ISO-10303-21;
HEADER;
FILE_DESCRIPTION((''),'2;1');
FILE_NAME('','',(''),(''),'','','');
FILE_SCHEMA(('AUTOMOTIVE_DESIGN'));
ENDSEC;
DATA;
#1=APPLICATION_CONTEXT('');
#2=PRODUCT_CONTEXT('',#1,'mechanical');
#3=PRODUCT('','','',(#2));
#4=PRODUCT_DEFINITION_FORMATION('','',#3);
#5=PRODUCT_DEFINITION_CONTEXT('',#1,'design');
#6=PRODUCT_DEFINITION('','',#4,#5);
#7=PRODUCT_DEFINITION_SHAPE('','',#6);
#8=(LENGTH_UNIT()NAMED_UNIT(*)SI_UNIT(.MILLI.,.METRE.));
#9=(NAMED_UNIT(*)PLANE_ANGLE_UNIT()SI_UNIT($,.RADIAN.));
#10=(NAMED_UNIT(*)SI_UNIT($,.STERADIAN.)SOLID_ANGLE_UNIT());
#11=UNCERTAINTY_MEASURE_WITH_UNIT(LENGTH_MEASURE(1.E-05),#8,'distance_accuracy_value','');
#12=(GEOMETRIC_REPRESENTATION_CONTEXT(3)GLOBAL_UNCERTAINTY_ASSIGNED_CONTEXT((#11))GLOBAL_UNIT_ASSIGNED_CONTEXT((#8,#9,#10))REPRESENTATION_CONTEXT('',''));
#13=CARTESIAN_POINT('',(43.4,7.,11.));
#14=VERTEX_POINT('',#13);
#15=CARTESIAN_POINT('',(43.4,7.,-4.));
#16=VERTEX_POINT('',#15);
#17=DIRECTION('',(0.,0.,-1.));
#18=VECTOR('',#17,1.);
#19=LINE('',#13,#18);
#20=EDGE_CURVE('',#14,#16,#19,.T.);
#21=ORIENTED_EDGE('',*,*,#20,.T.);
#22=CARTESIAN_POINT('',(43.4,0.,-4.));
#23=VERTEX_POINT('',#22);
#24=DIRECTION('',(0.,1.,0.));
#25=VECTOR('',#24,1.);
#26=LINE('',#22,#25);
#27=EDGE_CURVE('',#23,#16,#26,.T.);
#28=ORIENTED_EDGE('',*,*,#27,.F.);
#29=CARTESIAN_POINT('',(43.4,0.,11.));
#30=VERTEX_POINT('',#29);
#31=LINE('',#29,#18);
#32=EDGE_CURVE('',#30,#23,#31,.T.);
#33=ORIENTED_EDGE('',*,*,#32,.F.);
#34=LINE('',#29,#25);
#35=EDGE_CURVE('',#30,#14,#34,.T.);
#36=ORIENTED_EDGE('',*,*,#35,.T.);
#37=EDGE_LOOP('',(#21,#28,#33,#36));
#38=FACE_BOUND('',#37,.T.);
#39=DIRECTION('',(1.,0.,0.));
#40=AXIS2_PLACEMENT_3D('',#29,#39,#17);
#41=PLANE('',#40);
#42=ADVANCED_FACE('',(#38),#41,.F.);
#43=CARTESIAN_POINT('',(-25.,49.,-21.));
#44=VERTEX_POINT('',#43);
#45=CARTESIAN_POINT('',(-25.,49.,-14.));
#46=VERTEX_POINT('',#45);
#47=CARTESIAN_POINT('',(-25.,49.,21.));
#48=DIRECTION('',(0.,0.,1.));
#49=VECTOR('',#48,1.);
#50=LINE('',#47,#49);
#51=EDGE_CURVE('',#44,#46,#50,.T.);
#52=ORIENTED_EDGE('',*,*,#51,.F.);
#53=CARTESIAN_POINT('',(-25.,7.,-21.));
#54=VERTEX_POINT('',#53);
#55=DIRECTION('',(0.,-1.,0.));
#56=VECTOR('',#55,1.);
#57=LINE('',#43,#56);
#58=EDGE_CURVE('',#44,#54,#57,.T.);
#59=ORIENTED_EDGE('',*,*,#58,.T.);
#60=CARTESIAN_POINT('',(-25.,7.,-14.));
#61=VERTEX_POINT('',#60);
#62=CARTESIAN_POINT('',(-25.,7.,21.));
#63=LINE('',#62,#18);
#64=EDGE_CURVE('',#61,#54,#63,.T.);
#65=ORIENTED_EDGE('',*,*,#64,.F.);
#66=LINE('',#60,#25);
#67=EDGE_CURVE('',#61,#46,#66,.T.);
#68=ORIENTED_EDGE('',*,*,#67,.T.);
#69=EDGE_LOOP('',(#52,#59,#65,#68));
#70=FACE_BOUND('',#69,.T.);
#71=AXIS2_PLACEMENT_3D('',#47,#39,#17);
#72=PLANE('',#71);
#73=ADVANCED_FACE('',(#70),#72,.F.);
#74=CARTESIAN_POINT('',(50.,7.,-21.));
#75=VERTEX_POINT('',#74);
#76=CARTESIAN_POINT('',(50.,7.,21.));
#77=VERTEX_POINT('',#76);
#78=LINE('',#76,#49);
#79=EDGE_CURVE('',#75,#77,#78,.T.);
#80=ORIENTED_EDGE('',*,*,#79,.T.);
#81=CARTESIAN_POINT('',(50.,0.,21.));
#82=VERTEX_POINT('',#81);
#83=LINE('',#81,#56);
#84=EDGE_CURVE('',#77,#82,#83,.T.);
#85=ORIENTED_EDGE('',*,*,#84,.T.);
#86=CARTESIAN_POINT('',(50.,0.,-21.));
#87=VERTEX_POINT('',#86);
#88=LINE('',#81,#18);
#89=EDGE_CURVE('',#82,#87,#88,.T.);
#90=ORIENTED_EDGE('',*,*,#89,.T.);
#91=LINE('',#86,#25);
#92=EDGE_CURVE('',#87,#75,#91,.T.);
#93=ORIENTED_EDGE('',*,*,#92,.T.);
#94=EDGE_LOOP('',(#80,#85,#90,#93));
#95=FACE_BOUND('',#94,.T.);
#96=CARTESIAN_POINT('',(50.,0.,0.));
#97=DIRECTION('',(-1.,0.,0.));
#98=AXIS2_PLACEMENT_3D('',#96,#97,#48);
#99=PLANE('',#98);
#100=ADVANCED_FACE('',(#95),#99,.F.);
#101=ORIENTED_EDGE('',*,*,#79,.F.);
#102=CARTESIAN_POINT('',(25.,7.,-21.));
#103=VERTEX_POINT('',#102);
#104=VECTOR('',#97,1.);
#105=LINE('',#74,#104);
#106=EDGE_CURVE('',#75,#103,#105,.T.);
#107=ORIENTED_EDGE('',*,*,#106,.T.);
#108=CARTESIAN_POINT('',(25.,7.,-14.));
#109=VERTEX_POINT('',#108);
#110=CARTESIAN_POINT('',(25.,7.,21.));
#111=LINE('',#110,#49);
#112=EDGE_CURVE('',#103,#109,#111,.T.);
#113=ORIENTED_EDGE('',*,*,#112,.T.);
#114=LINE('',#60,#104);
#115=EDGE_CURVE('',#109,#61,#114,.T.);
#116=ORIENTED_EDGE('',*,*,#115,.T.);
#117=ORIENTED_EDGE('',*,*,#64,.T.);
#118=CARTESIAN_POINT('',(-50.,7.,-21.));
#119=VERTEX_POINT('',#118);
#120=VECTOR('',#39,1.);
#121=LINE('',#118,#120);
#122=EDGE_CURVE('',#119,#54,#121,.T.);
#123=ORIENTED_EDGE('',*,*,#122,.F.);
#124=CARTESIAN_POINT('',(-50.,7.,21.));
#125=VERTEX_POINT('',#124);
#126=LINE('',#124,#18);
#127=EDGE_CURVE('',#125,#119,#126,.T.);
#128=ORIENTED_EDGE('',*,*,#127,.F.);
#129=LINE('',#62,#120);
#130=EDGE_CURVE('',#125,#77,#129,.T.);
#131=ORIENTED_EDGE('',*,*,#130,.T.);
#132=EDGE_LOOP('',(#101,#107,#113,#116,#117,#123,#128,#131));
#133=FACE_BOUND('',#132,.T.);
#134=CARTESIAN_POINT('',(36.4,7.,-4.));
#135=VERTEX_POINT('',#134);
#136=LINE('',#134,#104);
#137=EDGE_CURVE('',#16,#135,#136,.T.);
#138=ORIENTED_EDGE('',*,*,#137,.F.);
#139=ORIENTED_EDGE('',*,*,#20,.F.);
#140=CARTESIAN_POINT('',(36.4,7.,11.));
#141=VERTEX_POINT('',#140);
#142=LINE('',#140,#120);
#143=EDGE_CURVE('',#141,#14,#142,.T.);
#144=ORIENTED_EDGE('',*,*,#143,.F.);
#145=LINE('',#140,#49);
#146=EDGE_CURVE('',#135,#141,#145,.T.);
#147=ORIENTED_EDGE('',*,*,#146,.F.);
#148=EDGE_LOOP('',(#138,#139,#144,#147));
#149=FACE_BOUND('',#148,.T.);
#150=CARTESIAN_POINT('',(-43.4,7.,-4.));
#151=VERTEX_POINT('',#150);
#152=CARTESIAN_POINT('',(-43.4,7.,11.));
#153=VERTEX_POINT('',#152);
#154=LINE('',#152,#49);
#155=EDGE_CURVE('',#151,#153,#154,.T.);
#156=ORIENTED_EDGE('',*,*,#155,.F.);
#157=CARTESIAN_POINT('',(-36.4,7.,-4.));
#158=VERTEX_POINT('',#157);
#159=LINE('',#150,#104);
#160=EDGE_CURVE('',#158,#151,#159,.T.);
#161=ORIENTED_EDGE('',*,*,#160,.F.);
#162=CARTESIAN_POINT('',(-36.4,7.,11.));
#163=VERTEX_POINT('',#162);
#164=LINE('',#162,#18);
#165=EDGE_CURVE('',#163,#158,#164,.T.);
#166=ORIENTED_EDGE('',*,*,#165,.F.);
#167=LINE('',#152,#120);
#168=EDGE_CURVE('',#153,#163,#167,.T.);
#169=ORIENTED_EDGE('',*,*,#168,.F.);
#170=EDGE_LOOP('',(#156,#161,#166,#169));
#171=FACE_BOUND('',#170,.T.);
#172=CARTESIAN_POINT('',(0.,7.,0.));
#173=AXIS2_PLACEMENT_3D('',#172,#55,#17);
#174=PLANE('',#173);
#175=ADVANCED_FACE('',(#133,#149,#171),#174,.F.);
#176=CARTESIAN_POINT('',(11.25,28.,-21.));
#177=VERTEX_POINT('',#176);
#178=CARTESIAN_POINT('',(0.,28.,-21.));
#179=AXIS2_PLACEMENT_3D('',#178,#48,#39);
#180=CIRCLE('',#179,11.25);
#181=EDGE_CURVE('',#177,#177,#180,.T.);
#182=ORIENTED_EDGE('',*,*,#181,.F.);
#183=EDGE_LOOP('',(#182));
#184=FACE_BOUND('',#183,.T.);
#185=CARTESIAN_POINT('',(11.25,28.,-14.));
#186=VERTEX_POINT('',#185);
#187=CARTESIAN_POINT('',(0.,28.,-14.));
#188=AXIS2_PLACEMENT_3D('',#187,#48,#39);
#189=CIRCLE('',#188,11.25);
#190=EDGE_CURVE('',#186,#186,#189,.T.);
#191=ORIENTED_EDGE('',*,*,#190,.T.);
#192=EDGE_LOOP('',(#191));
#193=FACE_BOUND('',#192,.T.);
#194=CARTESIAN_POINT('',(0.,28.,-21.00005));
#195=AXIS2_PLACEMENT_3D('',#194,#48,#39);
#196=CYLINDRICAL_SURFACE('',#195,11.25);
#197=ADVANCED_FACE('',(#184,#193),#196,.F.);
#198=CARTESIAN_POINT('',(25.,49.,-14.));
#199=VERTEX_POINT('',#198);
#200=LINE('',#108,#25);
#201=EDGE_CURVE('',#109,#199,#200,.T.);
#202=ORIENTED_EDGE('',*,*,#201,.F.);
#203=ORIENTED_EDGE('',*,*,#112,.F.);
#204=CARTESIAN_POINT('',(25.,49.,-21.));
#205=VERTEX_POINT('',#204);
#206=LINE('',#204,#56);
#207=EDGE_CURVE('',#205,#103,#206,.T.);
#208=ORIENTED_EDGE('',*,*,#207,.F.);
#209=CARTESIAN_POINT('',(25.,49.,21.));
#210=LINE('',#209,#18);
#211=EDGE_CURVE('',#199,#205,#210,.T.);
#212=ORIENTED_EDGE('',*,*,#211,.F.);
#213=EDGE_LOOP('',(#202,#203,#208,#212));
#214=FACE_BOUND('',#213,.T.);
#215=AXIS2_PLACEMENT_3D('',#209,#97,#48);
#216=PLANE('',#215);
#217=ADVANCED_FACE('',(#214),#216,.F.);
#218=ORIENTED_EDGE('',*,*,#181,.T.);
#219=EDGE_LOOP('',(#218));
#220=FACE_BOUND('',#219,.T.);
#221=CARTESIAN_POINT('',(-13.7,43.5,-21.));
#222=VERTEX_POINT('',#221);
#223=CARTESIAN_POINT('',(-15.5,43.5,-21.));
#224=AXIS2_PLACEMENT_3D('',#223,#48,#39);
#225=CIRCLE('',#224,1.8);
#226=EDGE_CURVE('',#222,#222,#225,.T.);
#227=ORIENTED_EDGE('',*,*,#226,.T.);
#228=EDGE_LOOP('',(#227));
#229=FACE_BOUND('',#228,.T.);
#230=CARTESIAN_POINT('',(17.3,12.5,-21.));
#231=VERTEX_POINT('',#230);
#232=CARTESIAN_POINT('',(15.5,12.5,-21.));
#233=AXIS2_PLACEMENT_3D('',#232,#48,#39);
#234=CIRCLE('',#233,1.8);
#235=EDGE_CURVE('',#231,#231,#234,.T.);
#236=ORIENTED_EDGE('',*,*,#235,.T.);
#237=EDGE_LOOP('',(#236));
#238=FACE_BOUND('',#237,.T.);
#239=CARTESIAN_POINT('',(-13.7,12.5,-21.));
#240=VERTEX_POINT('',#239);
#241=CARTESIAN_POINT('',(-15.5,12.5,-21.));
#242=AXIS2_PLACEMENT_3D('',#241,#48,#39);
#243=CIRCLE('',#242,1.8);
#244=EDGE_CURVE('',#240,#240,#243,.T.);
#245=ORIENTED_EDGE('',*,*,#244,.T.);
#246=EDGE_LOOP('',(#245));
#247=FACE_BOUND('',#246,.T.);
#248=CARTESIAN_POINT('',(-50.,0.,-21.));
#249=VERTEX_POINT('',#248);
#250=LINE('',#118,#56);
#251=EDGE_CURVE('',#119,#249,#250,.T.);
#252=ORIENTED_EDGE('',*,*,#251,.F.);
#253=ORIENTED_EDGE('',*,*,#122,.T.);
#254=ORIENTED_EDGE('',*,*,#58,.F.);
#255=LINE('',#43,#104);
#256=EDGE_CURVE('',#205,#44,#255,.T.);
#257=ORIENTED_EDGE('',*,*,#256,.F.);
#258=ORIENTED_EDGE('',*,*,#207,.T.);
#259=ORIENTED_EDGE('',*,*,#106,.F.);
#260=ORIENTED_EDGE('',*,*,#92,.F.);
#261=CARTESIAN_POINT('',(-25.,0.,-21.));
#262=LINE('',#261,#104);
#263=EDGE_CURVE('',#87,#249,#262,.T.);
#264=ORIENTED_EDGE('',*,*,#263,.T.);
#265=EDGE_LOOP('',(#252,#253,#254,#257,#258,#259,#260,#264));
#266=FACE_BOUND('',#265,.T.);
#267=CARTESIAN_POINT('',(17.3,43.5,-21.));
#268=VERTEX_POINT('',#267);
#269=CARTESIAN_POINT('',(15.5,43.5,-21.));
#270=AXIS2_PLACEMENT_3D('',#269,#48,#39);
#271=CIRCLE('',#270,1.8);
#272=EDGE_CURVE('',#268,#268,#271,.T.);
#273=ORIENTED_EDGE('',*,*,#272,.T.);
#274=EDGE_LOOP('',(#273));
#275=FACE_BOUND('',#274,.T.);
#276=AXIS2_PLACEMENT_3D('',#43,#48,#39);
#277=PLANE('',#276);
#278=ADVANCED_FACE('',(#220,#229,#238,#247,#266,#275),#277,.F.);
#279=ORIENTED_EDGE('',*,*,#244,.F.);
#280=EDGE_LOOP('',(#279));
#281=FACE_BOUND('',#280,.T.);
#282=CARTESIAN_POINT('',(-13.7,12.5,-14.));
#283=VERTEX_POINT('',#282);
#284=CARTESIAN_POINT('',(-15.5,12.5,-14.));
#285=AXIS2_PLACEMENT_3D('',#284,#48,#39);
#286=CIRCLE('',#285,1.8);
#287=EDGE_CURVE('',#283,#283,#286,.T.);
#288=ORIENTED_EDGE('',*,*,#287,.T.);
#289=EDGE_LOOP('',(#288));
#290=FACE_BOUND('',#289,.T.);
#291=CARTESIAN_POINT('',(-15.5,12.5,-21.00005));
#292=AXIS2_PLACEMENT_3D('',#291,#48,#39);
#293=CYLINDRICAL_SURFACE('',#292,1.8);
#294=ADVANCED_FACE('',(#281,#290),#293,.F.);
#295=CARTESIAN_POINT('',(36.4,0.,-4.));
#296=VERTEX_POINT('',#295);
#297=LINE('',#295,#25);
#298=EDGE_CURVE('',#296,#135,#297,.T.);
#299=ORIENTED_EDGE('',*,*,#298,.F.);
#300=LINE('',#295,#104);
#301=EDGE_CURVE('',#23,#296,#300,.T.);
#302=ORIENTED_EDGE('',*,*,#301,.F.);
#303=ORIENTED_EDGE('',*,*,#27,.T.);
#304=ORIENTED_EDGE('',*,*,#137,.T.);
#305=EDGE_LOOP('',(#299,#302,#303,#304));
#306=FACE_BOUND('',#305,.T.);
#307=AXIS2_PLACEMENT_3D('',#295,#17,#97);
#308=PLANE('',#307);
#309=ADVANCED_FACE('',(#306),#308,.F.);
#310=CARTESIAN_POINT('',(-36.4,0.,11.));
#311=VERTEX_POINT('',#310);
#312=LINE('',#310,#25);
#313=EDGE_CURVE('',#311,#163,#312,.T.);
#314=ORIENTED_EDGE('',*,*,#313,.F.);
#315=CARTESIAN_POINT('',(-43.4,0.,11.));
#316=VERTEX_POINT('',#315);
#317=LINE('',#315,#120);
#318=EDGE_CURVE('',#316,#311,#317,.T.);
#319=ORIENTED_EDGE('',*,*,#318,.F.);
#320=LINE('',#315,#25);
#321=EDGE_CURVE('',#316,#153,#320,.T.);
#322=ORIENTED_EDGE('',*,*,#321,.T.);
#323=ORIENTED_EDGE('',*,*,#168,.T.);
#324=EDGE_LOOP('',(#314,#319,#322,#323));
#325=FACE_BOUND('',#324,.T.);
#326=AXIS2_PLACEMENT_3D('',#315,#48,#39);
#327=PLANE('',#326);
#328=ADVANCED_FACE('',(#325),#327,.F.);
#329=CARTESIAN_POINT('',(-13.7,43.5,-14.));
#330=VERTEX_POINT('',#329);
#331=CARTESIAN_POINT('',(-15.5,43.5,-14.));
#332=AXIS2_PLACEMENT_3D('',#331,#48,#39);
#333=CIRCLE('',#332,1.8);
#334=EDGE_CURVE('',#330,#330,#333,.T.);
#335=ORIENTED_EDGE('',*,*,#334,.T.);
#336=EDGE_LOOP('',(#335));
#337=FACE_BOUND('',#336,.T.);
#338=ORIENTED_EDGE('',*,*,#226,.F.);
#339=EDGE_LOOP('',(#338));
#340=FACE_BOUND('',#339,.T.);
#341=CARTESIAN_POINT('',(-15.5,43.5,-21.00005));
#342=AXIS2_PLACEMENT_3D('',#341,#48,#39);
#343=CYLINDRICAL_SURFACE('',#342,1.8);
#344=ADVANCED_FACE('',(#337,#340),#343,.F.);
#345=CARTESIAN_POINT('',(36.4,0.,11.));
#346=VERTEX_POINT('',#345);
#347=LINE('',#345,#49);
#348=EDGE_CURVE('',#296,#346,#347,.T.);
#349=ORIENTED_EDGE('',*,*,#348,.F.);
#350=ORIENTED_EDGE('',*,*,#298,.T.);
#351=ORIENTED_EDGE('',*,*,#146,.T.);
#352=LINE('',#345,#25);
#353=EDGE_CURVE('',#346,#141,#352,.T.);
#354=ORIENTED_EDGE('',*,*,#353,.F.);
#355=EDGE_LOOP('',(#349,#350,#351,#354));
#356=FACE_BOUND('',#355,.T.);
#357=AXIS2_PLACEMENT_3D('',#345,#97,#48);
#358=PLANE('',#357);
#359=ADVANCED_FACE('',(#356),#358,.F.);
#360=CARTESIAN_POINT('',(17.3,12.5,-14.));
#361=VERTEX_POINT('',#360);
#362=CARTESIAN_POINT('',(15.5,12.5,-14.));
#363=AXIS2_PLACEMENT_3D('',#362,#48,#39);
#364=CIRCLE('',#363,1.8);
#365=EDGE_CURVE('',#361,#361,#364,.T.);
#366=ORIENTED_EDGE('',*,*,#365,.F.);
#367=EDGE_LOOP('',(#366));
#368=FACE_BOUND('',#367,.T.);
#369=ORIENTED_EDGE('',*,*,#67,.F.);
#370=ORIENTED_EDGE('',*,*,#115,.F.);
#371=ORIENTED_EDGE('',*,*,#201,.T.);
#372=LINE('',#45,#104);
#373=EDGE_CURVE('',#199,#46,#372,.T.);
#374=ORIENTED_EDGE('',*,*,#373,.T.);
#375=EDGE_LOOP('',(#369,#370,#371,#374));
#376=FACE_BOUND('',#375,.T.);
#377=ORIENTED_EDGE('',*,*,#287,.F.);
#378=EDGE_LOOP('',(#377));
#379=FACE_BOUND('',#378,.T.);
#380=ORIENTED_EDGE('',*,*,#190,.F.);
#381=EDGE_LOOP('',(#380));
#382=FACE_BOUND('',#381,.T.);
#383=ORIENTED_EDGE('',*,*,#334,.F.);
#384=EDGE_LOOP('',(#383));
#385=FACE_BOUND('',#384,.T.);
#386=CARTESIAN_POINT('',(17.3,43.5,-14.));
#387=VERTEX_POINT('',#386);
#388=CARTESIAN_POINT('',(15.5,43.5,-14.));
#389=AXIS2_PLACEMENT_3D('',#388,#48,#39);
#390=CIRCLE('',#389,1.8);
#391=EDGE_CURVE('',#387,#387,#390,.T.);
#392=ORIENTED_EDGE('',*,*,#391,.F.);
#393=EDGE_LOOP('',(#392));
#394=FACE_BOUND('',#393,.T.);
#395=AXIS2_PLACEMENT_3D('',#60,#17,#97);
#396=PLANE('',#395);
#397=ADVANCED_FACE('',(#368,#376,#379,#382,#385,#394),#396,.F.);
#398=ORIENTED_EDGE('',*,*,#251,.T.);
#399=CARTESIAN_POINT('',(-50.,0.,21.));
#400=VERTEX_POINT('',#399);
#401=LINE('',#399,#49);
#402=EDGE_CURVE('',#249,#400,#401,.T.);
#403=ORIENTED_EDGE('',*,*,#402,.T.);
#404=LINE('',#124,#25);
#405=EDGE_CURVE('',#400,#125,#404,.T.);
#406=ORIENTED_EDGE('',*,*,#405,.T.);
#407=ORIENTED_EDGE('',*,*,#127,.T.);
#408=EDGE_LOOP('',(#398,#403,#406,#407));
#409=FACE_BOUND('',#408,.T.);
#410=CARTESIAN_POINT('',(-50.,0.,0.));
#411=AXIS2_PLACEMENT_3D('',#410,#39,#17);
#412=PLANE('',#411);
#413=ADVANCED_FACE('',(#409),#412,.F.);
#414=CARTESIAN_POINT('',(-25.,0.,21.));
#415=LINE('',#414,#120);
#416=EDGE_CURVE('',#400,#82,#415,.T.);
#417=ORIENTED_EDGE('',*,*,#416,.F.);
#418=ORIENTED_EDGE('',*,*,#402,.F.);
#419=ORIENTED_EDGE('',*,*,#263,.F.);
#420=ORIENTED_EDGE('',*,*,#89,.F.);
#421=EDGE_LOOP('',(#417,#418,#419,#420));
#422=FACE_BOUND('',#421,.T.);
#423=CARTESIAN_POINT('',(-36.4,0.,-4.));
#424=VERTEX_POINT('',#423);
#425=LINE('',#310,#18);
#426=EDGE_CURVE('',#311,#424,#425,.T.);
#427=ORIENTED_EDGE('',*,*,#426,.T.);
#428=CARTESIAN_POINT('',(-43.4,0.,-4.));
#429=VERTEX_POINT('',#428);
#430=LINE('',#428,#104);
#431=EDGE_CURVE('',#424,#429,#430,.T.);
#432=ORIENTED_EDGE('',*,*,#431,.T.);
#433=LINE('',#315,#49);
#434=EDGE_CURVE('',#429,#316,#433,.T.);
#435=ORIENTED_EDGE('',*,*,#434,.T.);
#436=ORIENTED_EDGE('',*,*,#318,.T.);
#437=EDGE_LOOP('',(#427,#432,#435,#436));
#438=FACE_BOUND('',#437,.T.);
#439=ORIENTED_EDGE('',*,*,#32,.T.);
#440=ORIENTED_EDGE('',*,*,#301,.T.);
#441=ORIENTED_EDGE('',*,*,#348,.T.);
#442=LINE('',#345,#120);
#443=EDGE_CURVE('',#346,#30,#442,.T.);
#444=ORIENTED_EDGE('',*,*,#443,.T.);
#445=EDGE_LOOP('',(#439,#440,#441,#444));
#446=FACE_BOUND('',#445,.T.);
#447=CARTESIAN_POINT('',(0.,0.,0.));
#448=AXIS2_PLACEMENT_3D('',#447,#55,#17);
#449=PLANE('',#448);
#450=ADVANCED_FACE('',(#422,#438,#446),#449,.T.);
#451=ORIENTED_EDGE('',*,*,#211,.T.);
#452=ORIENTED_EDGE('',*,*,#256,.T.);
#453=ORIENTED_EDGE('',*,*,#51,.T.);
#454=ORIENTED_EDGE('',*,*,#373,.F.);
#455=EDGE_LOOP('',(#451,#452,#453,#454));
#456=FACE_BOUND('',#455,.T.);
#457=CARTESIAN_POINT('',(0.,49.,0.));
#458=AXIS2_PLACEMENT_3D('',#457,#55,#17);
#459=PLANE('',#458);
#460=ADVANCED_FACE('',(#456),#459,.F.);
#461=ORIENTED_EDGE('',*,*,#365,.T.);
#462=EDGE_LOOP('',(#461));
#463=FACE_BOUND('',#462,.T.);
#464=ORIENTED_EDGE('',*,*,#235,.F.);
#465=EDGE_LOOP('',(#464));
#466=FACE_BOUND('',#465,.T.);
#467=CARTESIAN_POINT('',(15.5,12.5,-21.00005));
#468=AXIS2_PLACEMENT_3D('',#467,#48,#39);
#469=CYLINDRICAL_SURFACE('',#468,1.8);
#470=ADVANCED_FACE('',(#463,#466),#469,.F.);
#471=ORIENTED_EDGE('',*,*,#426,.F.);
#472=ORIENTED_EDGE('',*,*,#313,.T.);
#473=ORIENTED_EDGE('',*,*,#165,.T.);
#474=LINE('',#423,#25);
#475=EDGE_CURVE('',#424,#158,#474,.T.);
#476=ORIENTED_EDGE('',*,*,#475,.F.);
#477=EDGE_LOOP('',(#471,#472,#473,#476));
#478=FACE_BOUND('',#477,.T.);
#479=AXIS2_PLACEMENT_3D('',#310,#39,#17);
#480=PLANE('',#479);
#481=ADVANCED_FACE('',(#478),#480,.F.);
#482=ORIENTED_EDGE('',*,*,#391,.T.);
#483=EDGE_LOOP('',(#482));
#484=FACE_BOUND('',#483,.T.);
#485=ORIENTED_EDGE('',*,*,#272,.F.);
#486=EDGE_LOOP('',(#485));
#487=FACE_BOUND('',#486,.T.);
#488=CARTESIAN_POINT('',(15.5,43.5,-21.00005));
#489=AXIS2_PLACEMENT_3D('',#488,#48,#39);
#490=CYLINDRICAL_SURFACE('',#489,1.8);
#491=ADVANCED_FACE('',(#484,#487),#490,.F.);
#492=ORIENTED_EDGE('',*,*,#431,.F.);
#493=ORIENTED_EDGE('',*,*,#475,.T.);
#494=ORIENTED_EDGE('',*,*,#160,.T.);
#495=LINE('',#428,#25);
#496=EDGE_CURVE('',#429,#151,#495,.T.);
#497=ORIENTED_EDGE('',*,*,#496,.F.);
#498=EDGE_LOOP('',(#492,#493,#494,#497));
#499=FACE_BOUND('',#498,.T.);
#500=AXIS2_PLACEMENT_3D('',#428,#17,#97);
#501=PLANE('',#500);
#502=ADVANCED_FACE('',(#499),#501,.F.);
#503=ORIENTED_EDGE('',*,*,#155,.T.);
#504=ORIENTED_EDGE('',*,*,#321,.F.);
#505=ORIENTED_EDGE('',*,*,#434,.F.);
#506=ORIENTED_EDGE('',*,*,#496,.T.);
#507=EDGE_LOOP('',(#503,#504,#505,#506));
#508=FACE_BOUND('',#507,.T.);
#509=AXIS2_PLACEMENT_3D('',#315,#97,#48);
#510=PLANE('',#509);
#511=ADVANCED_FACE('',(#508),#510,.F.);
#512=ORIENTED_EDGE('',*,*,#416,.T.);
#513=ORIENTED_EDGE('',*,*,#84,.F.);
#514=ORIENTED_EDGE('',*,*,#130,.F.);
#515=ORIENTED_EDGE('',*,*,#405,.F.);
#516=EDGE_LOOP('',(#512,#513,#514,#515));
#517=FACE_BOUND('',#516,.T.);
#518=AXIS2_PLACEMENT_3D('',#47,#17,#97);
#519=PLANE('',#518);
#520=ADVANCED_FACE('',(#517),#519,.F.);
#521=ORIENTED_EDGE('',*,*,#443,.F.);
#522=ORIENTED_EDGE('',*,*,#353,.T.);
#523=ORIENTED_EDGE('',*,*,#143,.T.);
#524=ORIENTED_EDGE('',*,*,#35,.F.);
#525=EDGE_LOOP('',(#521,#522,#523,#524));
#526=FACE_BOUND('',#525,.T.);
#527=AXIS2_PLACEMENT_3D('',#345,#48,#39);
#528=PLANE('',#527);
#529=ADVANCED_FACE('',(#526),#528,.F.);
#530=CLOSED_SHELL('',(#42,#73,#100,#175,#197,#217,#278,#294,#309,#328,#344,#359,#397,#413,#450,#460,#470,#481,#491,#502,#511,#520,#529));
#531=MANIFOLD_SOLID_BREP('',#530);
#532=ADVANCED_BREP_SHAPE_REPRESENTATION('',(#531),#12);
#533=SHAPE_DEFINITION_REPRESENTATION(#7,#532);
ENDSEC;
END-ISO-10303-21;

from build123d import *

# Parameters (mm, degrees)
SKETCH1_W           = 50
SKETCH1_H           = 42
BOSS_EXTRUDE1_DEPTH = 49
SKETCH2_W           = 50
SKETCH2_H           = 35
CUT_EXTRUDE1_DEPTH  = 42
SKETCH3_W           = 42
SKETCH3_H           = 7
BOSS_EXTRUDE2_DEPTH = 25
SKETCH4_W           = 42
SKETCH4_H           = 7
BOSS_EXTRUDE3_DEPTH = 25
SKETCH5_R           = 11.25
SKETCH5_R_2         = 1.8
CUT_EXTRUDE2_DEPTH  = 79.268767717
SKETCH6_W           = 7
SKETCH6_H           = 15
CUT_EXTRUDE3_DEPTH  = 69.593002559


with BuildPart() as part:
    # Sketch1 → Boss-Extrude1 (new body)
    with BuildSketch(Plane(origin=(0, 0, 0), x_dir=(1, 0, 0), z_dir=(0, 1, 0))):
        Rectangle(SKETCH1_W, SKETCH1_H)
    extrude(amount=BOSS_EXTRUDE1_DEPTH)

    # Sketch2 → Cut-Extrude1 (cut)
    with BuildSketch(Plane(origin=(0, 49, 0), x_dir=(1, 0, 0), z_dir=(0, 1, 0))):
        with Locations((0, -3.5)):
            Rectangle(SKETCH2_W, SKETCH2_H)
    extrude(amount=-CUT_EXTRUDE1_DEPTH, mode=Mode.SUBTRACT)

    # Sketch3 → Boss-Extrude2 (add)
    with BuildSketch(Plane(origin=(25, 0, 0), x_dir=(0, 0, -1), z_dir=(1, 0, 0))):
        with Locations((0, 3.5)):
            Rectangle(SKETCH3_W, SKETCH3_H)
    extrude(amount=BOSS_EXTRUDE2_DEPTH)

    # Sketch4 → Boss-Extrude3 (add)
    with BuildSketch(Plane.ZY.offset(25)):
        with Locations((0, 3.5)):
            Rectangle(SKETCH4_W, SKETCH4_H)
    extrude(amount=BOSS_EXTRUDE3_DEPTH)

    # Sketch5 → Cut-Extrude2 (cut, through all)
    with BuildSketch(Plane.XY.offset(-14)):
        with Locations((0, 28)):
            Circle(SKETCH5_R)
        with Locations((-15.5, 43.5)):
            Circle(SKETCH5_R_2)
        with Locations((15.5, 43.5)):
            Circle(SKETCH5_R_2)
        with Locations((-15.5, 12.5)):
            Circle(SKETCH5_R_2)
        with Locations((15.5, 12.5)):
            Circle(SKETCH5_R_2)
    extrude(amount=-CUT_EXTRUDE2_DEPTH, mode=Mode.SUBTRACT)

    # Sketch6 → Cut-Extrude3 (cut, through all)
    with BuildSketch(Plane(origin=(0, 7, 0), x_dir=(1, 0, 0), z_dir=(0, 1, 0))):
        with Locations((-39.9, -3.5)):
            Rectangle(SKETCH6_W, SKETCH6_H)
        with Locations((39.9, -3.5)):
            Rectangle(SKETCH6_W, SKETCH6_H)
    extrude(amount=-CUT_EXTRUDE3_DEPTH, mode=Mode.SUBTRACT)


solid = part.part
